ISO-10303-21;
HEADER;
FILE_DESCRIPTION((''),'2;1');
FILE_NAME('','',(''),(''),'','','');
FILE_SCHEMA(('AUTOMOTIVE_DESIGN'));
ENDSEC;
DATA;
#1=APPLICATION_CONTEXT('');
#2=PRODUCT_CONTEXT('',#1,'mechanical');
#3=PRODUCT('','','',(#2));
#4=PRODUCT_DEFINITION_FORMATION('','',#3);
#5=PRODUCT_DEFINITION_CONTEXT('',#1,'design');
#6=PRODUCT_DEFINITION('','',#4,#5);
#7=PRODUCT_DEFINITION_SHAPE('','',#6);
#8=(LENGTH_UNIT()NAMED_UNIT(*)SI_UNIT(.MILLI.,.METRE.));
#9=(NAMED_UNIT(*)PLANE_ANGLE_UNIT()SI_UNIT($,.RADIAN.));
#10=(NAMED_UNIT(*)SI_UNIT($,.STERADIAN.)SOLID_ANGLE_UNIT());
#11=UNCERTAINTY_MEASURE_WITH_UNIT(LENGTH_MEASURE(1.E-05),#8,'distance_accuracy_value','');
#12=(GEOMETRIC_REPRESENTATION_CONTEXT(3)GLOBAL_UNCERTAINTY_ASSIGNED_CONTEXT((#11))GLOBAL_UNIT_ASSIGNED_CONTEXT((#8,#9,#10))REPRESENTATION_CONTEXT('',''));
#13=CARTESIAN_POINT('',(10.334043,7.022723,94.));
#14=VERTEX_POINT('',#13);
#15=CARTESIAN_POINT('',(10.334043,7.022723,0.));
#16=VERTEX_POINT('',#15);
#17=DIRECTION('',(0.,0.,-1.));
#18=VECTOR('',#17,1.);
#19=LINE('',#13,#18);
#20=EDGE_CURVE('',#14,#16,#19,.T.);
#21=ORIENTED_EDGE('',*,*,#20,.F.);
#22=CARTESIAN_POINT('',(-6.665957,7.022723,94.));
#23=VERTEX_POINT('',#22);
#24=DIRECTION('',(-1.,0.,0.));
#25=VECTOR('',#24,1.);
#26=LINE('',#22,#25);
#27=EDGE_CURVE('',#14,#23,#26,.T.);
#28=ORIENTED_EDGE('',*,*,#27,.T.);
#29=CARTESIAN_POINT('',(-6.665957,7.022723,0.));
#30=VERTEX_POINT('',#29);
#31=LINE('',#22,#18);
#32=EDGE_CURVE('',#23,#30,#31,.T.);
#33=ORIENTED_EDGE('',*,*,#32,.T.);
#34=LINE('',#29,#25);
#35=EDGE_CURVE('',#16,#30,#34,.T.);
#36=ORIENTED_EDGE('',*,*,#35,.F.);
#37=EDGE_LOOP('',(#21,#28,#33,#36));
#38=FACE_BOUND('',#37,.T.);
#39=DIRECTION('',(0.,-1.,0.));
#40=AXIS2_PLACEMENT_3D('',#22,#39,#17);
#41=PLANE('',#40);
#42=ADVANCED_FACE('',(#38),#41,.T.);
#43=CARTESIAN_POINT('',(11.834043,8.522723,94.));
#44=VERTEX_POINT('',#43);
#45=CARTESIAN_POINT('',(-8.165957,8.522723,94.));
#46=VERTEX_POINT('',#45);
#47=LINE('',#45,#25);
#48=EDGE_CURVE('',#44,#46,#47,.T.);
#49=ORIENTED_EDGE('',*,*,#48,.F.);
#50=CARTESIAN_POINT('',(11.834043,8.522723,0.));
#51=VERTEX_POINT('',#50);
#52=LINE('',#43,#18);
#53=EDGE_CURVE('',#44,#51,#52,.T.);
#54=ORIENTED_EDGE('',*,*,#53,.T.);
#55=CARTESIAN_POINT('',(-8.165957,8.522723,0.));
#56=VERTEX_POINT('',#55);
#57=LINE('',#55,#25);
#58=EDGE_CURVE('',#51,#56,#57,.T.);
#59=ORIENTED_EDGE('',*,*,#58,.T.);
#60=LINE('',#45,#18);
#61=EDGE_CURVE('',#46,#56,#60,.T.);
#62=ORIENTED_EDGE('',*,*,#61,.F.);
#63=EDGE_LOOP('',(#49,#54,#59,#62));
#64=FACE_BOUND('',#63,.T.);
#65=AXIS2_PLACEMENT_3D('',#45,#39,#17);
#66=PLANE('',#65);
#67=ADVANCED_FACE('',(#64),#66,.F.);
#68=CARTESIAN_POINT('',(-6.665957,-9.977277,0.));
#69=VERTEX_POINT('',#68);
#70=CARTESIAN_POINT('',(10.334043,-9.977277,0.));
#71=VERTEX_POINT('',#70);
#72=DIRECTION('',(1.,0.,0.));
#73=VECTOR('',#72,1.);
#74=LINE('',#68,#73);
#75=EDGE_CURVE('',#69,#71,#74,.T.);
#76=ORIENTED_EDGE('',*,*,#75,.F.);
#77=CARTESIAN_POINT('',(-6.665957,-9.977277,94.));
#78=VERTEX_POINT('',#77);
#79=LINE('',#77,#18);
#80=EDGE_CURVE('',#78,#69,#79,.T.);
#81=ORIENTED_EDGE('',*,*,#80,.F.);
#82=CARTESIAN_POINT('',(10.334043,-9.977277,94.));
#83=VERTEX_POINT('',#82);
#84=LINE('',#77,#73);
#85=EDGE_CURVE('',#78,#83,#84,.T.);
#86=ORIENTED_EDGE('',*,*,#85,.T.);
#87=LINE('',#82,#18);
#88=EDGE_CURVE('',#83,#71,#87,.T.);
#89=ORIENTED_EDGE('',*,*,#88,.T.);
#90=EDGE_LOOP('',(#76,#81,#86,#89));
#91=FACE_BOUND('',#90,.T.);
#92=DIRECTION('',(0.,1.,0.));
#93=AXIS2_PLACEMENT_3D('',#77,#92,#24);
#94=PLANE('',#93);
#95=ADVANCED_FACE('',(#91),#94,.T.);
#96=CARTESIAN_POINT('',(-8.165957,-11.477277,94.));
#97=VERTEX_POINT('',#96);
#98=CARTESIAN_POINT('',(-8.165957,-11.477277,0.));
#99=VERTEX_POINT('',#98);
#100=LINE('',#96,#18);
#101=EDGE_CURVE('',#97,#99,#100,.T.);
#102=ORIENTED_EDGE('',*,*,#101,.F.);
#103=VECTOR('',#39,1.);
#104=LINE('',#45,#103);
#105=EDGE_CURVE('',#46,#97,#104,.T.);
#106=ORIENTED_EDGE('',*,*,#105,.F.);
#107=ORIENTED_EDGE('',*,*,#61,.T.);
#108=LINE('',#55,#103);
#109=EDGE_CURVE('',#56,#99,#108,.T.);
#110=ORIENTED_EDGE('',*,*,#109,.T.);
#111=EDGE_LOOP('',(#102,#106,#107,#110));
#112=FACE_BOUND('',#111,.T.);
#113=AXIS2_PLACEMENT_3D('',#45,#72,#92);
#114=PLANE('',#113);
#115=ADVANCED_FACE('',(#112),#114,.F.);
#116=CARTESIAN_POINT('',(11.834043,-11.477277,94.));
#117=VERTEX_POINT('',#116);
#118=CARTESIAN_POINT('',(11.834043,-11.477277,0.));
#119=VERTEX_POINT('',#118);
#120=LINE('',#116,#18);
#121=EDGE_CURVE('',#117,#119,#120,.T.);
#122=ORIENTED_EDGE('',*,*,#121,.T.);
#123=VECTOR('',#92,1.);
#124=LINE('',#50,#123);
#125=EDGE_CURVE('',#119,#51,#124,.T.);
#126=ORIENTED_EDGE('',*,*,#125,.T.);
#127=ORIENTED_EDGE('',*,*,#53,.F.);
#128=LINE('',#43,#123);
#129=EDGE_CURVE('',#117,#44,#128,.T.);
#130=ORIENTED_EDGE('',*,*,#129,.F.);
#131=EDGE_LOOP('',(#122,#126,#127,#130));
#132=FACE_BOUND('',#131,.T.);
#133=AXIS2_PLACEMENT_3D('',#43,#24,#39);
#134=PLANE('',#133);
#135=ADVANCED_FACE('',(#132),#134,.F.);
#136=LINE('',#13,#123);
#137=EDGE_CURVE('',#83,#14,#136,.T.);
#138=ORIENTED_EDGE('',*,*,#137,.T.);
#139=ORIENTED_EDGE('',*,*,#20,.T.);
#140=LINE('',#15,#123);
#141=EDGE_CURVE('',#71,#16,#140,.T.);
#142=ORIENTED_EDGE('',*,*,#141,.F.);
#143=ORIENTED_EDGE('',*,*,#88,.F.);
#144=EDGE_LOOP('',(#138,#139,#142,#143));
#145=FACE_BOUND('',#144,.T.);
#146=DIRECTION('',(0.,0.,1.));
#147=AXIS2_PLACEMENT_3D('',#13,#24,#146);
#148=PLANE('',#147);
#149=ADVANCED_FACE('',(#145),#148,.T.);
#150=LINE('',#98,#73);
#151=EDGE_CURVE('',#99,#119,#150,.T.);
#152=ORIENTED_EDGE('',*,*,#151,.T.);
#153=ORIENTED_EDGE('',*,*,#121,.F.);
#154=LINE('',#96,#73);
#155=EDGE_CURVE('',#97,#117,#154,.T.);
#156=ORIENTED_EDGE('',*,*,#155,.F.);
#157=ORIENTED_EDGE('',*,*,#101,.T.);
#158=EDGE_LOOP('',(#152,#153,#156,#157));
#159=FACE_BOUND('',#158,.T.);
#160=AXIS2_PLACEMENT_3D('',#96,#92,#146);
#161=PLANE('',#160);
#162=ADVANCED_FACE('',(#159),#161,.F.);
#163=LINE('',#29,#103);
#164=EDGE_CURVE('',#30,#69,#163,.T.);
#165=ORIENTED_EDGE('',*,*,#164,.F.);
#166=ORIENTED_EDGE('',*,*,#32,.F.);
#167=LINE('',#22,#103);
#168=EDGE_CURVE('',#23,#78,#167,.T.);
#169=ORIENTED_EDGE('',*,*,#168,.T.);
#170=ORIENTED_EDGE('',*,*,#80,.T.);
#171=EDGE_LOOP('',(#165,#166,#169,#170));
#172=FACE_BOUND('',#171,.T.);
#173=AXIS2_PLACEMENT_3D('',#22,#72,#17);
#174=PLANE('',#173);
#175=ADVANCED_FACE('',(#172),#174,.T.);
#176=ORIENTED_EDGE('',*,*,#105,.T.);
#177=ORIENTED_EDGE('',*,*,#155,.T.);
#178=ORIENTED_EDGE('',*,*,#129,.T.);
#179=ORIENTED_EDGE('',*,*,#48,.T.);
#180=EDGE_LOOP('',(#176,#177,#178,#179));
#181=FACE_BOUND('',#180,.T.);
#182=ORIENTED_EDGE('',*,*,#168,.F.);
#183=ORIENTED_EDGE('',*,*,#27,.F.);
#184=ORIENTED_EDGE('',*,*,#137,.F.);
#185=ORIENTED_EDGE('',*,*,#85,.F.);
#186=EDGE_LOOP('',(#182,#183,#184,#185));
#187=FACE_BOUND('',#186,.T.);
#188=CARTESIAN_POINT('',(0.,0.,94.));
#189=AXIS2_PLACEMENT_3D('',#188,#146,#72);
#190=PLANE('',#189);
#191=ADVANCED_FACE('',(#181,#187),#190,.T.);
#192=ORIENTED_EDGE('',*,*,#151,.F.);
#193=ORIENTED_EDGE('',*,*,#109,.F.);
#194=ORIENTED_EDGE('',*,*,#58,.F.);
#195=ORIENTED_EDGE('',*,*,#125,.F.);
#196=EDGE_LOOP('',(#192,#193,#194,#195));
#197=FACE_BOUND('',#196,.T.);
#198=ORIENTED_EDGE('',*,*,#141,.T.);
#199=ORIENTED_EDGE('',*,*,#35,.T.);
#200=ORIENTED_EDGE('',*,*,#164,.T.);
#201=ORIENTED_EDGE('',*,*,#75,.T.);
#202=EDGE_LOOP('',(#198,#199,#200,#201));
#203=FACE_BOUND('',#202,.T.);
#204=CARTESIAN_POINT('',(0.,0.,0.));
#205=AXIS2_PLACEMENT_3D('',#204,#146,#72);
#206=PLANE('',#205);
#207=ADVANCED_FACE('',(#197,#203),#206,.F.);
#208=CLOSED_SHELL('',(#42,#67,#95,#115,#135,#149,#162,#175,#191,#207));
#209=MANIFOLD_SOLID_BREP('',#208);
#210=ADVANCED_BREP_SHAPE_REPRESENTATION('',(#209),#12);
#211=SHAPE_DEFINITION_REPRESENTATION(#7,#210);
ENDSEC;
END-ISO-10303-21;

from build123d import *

# Parameters (mm, degrees)
SKETCH1_W           = 20
SKETCH1_H           = 20
SKETCH1_W_2         = 17
SKETCH1_H_2         = 17
BOSS_EXTRUDE1_DEPTH = 94


with BuildPart() as part:
    # Sketch1 → Boss-Extrude1 (new body)
    with BuildSketch(Plane.XY):
        with Locations((1.834042947, -1.477276695)):
            Rectangle(SKETCH1_W, SKETCH1_H)
        with Locations((1.834042947, -1.477276695)):
            Rectangle(SKETCH1_W_2, SKETCH1_H_2, mode=Mode.SUBTRACT)
    extrude(amount=BOSS_EXTRUDE1_DEPTH)


solid = part.part
